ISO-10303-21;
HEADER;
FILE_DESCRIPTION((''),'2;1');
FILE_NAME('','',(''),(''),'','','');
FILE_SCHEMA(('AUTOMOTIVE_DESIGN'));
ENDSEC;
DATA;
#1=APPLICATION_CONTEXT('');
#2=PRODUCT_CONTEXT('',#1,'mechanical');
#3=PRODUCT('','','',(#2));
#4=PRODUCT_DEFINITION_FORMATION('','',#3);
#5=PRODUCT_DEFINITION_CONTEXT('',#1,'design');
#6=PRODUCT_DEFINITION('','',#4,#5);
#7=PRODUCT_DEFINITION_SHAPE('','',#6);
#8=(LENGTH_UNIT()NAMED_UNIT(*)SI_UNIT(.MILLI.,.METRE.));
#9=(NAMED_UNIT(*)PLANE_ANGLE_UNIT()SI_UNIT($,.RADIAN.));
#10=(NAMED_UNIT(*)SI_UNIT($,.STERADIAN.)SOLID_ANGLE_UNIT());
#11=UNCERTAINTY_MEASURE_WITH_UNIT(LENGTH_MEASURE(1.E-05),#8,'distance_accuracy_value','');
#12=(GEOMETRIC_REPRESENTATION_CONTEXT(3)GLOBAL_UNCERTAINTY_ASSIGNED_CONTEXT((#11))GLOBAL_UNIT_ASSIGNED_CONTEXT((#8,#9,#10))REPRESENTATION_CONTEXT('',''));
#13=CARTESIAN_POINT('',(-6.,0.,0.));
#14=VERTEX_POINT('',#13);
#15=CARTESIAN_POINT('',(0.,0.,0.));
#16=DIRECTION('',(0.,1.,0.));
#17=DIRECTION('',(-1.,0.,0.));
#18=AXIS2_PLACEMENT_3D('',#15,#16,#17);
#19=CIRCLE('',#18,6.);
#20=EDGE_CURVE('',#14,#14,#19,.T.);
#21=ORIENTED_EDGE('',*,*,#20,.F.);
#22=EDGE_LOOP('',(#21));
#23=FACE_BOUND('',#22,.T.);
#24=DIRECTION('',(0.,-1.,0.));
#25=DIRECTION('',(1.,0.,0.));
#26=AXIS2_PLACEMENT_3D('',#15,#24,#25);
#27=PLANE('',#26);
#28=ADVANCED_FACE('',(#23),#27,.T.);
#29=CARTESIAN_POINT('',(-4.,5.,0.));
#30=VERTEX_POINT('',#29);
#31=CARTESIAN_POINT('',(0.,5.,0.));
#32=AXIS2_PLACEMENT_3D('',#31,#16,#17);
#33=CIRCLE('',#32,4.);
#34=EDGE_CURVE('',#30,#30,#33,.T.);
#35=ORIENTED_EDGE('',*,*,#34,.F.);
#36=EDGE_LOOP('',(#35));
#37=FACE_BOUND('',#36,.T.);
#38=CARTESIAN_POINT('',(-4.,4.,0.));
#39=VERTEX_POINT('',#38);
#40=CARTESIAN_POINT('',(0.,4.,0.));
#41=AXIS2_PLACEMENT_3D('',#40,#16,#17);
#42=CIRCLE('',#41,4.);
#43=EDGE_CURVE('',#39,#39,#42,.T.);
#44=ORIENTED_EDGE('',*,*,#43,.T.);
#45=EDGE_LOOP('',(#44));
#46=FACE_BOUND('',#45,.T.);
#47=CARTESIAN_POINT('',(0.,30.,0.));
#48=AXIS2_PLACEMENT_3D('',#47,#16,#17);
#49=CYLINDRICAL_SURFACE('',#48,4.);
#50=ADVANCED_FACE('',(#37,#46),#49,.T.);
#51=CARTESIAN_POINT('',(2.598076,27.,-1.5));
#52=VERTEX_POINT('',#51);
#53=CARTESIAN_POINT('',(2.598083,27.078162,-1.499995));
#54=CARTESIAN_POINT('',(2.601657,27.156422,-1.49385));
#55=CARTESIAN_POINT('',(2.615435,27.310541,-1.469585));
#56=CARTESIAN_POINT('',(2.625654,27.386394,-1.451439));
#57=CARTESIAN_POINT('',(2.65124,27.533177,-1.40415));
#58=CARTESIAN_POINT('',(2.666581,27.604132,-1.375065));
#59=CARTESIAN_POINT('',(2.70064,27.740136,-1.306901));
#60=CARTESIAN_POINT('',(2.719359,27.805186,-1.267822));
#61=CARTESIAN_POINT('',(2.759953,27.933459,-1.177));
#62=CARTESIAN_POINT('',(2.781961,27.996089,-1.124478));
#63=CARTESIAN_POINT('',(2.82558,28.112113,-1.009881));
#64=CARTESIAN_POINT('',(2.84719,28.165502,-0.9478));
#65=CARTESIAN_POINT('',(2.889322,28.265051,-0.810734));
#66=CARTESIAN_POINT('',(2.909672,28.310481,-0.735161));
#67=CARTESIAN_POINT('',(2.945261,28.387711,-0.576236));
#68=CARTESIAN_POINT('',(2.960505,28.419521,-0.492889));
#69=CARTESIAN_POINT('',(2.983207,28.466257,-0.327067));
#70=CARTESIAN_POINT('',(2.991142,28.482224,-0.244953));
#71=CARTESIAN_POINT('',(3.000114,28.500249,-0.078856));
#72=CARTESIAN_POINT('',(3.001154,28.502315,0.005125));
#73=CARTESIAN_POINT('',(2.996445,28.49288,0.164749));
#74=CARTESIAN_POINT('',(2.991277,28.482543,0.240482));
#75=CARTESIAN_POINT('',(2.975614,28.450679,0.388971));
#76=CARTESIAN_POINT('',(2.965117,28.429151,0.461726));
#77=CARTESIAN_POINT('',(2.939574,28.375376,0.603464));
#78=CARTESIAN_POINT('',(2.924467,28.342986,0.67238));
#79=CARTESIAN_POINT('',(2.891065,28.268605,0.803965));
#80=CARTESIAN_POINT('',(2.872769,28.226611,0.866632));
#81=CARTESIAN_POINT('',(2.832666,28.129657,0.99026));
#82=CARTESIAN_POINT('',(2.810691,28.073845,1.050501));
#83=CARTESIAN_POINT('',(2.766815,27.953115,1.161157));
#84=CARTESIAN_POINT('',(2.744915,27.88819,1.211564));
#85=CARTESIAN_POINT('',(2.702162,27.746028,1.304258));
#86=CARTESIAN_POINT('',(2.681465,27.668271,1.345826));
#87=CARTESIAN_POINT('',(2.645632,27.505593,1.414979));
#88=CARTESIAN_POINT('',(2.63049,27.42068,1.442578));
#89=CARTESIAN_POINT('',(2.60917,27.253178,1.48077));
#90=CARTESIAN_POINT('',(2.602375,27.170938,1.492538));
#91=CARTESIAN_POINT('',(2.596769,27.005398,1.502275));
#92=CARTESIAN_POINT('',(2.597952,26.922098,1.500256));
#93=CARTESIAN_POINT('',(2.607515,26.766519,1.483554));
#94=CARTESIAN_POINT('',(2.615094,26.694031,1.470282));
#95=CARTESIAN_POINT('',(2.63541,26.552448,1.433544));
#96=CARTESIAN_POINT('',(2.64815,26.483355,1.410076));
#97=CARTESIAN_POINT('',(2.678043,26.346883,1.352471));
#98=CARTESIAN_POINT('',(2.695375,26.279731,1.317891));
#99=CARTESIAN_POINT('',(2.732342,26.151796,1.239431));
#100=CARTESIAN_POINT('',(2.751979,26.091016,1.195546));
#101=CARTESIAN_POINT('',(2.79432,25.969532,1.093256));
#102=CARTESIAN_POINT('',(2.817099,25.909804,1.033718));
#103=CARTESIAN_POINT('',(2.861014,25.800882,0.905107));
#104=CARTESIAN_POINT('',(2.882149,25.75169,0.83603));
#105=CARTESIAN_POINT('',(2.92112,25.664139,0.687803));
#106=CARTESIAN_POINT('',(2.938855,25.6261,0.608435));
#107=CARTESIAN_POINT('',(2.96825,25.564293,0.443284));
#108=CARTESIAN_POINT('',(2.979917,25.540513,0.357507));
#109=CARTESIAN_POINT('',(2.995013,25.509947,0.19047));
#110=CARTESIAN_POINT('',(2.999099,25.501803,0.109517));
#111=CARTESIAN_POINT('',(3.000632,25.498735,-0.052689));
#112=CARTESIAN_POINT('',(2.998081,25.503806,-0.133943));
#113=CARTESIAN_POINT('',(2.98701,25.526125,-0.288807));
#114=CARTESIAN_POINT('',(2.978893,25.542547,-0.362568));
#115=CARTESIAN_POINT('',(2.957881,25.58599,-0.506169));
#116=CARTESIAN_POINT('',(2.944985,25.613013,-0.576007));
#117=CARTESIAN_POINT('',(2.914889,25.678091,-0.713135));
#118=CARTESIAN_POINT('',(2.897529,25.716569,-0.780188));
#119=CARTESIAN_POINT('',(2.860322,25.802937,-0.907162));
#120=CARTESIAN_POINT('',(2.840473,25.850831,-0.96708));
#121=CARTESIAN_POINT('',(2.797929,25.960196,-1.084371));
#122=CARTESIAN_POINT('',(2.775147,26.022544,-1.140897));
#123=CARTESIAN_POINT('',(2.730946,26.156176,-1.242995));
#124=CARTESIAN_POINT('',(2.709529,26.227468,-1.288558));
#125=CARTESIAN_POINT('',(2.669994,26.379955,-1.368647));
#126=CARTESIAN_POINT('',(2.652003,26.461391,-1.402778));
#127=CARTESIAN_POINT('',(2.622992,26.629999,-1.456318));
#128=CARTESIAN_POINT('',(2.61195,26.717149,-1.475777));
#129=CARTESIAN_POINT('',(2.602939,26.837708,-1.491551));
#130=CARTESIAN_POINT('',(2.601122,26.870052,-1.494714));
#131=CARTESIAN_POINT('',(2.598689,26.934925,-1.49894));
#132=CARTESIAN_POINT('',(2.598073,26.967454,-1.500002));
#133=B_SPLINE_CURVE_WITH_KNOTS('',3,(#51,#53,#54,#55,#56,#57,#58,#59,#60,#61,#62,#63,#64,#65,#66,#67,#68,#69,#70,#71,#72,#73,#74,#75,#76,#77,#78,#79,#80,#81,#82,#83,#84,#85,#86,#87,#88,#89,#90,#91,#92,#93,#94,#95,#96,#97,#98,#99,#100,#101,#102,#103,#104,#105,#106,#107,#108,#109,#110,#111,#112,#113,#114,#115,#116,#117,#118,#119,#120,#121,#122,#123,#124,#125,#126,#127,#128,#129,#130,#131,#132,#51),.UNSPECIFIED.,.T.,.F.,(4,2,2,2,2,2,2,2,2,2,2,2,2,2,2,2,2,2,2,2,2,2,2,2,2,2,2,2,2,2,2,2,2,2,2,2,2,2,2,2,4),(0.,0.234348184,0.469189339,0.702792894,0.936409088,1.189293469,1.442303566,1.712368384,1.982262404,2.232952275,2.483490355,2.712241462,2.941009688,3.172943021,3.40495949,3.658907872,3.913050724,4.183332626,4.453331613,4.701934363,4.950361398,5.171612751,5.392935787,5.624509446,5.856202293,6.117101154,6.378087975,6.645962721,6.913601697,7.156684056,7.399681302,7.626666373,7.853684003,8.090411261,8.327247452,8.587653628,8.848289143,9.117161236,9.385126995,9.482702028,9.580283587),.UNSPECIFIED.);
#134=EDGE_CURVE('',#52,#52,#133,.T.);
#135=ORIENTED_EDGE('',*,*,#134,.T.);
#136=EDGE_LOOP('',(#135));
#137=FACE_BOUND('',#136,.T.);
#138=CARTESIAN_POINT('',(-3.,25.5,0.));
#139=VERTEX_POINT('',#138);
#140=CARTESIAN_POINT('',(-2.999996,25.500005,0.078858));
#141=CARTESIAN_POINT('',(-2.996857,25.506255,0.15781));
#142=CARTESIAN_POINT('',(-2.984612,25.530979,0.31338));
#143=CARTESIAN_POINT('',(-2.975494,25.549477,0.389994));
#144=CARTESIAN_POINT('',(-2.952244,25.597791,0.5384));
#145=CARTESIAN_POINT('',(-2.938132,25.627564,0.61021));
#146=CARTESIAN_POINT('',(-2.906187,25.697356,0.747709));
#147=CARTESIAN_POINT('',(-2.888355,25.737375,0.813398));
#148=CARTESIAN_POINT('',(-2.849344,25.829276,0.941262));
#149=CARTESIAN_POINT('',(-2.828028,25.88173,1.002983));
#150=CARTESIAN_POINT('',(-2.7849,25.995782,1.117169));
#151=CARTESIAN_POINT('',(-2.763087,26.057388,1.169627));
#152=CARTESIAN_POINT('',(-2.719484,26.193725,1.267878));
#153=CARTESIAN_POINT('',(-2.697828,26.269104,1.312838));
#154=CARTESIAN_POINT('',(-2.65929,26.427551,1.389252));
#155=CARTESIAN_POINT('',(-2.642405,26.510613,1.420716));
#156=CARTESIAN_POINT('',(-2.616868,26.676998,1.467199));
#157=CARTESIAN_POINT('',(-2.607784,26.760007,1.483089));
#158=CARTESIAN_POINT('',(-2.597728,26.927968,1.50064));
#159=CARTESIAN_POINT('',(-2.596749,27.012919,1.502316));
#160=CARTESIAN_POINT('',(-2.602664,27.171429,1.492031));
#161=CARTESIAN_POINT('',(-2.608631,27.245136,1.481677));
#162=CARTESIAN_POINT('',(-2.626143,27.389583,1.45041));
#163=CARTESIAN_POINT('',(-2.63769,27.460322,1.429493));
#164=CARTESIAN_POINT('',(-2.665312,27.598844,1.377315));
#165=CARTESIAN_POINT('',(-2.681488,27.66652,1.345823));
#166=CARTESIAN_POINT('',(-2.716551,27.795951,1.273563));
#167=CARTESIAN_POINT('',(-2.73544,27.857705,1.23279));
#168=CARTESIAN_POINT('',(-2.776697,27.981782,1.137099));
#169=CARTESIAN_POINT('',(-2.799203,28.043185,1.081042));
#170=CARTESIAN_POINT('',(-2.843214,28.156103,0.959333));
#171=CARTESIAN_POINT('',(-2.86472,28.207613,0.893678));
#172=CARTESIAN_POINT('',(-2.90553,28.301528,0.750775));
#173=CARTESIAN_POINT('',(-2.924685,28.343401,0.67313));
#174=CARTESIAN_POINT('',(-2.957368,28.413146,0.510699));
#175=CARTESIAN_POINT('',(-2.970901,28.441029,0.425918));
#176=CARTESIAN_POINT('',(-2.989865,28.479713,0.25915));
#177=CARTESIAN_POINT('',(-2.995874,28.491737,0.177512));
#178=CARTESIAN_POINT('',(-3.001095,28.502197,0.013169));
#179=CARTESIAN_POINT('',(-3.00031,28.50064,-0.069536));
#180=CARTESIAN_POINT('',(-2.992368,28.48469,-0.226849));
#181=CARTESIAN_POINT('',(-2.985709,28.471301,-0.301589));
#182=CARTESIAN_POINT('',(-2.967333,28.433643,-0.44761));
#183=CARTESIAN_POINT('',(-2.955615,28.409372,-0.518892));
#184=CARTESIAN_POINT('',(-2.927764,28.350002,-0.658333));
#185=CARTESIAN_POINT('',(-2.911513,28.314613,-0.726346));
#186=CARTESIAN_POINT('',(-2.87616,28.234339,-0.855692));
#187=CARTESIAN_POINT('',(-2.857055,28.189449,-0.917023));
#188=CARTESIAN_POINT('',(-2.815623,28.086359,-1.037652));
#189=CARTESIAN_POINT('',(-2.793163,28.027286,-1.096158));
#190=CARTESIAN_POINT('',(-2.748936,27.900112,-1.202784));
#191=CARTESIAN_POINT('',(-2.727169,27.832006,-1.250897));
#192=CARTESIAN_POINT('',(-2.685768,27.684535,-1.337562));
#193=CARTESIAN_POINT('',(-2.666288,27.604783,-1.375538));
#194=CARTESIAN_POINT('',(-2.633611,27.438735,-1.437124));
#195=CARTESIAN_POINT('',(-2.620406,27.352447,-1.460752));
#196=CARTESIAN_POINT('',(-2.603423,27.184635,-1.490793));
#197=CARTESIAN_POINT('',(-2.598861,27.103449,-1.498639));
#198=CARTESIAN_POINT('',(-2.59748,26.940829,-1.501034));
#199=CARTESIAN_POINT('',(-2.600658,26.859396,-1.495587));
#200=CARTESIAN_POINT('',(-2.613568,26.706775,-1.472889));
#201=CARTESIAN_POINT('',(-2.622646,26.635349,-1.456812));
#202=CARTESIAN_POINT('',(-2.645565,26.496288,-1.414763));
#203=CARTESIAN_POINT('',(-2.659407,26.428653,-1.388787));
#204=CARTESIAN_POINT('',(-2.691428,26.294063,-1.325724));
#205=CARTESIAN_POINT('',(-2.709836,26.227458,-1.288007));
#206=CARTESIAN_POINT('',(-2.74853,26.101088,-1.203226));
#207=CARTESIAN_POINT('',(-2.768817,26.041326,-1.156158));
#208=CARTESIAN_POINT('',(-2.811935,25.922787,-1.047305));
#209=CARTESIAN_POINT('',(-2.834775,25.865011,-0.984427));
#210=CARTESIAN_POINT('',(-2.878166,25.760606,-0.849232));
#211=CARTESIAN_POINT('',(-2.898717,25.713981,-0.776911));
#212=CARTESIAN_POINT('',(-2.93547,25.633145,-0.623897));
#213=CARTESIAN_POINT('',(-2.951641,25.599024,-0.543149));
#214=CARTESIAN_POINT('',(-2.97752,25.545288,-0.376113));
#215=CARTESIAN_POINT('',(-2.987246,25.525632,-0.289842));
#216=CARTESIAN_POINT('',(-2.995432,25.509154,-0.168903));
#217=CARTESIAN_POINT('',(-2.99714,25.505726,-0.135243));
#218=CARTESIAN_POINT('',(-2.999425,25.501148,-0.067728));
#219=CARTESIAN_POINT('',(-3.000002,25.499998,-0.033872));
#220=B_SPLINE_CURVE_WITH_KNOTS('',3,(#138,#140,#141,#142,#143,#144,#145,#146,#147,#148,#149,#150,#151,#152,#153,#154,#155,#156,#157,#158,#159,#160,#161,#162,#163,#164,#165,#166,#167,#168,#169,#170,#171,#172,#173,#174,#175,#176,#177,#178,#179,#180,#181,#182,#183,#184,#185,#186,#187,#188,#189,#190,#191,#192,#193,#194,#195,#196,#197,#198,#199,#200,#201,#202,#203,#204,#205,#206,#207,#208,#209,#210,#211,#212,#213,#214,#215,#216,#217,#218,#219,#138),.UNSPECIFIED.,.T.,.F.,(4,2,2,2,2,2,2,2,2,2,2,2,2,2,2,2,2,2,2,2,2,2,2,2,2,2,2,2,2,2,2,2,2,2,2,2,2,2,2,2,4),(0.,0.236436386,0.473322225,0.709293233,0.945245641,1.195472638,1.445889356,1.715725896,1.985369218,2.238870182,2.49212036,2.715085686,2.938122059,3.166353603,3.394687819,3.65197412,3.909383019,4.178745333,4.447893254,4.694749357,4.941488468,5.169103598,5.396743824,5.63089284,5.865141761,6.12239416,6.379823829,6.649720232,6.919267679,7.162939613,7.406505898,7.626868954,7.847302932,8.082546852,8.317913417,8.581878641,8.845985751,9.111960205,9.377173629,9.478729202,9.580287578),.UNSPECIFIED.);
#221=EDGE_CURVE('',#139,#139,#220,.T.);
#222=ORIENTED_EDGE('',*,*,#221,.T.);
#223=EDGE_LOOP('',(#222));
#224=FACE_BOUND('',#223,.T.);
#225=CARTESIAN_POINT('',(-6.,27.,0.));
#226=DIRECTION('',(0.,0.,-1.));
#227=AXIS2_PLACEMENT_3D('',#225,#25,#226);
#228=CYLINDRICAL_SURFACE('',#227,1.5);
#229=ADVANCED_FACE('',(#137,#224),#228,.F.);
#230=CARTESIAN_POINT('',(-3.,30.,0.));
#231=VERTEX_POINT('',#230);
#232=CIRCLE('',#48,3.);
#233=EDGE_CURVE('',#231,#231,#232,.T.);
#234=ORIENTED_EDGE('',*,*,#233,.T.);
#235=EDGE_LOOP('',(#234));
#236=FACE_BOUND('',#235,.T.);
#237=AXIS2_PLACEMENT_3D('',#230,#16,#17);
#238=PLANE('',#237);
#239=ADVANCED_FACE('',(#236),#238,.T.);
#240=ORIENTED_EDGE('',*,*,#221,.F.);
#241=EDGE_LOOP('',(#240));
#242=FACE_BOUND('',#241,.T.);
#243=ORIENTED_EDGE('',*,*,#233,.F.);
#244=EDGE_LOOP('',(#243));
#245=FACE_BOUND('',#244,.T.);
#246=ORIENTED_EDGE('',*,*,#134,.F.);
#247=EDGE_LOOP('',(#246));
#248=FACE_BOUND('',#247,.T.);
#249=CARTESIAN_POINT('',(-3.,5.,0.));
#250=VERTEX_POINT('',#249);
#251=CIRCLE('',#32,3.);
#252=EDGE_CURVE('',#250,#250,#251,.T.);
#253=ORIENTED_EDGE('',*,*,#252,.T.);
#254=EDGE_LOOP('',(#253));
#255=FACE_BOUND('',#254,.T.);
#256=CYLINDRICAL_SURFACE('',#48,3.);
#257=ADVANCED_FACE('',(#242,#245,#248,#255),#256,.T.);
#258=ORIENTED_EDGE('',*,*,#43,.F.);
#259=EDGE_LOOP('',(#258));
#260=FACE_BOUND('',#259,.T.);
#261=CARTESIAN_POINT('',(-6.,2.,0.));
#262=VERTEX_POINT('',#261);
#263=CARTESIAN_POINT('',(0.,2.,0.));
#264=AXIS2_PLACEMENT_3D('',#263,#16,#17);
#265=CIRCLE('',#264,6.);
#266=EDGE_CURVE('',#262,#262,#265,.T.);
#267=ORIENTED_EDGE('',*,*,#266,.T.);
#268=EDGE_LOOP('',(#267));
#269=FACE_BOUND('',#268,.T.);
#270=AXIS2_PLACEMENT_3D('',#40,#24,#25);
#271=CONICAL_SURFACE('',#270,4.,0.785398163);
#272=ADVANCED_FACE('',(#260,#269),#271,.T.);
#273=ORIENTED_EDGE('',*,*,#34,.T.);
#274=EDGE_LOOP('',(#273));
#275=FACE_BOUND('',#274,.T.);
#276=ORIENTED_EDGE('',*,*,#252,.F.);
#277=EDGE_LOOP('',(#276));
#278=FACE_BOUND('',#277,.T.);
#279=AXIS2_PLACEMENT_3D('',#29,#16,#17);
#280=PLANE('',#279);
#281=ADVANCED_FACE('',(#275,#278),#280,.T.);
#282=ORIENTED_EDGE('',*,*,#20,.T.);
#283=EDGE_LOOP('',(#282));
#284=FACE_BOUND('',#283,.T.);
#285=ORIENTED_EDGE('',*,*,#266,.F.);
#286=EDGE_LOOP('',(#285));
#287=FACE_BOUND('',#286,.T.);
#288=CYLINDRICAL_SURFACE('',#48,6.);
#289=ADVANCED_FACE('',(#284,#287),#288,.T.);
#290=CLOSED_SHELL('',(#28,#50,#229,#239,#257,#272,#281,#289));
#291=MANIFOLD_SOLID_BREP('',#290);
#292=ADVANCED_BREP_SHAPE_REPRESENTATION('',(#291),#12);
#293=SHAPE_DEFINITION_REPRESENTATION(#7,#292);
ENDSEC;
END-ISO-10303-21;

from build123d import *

# Parameters (mm, degrees)
CUT_EXTRUDE1_DEPTH      = 32.176914536
CUT_EXTRUDE1_DEPTH_BACK = 32.176914536
SKETCH3_R               = 1.5


with BuildPart() as part:
    # Sketch2 → Revolve2 (revolve)
    with BuildSketch(Plane.XY):
        Polygon((0, 0), (-6, 0), (-6, 2), (-4, 4), (-4, 5), (-3, 5), (-3, 30), (0, 30), align=None)
    revolve(axis=Axis((0, 30, 0), (0, -1, 0)))

    # Sketch3 → Cut-Extrude1 (cut, two sides: drawn at the far end of the back side and taken through both)
    with BuildSketch(Plane(origin=(0, 0, 0), x_dir=(0, 0, -1), z_dir=(1, 0, 0)).offset(-CUT_EXTRUDE1_DEPTH_BACK)):
        with Locations((0, 27)):
            Circle(SKETCH3_R)
    extrude(amount=CUT_EXTRUDE1_DEPTH + CUT_EXTRUDE1_DEPTH_BACK, mode=Mode.SUBTRACT)


solid = part.part
